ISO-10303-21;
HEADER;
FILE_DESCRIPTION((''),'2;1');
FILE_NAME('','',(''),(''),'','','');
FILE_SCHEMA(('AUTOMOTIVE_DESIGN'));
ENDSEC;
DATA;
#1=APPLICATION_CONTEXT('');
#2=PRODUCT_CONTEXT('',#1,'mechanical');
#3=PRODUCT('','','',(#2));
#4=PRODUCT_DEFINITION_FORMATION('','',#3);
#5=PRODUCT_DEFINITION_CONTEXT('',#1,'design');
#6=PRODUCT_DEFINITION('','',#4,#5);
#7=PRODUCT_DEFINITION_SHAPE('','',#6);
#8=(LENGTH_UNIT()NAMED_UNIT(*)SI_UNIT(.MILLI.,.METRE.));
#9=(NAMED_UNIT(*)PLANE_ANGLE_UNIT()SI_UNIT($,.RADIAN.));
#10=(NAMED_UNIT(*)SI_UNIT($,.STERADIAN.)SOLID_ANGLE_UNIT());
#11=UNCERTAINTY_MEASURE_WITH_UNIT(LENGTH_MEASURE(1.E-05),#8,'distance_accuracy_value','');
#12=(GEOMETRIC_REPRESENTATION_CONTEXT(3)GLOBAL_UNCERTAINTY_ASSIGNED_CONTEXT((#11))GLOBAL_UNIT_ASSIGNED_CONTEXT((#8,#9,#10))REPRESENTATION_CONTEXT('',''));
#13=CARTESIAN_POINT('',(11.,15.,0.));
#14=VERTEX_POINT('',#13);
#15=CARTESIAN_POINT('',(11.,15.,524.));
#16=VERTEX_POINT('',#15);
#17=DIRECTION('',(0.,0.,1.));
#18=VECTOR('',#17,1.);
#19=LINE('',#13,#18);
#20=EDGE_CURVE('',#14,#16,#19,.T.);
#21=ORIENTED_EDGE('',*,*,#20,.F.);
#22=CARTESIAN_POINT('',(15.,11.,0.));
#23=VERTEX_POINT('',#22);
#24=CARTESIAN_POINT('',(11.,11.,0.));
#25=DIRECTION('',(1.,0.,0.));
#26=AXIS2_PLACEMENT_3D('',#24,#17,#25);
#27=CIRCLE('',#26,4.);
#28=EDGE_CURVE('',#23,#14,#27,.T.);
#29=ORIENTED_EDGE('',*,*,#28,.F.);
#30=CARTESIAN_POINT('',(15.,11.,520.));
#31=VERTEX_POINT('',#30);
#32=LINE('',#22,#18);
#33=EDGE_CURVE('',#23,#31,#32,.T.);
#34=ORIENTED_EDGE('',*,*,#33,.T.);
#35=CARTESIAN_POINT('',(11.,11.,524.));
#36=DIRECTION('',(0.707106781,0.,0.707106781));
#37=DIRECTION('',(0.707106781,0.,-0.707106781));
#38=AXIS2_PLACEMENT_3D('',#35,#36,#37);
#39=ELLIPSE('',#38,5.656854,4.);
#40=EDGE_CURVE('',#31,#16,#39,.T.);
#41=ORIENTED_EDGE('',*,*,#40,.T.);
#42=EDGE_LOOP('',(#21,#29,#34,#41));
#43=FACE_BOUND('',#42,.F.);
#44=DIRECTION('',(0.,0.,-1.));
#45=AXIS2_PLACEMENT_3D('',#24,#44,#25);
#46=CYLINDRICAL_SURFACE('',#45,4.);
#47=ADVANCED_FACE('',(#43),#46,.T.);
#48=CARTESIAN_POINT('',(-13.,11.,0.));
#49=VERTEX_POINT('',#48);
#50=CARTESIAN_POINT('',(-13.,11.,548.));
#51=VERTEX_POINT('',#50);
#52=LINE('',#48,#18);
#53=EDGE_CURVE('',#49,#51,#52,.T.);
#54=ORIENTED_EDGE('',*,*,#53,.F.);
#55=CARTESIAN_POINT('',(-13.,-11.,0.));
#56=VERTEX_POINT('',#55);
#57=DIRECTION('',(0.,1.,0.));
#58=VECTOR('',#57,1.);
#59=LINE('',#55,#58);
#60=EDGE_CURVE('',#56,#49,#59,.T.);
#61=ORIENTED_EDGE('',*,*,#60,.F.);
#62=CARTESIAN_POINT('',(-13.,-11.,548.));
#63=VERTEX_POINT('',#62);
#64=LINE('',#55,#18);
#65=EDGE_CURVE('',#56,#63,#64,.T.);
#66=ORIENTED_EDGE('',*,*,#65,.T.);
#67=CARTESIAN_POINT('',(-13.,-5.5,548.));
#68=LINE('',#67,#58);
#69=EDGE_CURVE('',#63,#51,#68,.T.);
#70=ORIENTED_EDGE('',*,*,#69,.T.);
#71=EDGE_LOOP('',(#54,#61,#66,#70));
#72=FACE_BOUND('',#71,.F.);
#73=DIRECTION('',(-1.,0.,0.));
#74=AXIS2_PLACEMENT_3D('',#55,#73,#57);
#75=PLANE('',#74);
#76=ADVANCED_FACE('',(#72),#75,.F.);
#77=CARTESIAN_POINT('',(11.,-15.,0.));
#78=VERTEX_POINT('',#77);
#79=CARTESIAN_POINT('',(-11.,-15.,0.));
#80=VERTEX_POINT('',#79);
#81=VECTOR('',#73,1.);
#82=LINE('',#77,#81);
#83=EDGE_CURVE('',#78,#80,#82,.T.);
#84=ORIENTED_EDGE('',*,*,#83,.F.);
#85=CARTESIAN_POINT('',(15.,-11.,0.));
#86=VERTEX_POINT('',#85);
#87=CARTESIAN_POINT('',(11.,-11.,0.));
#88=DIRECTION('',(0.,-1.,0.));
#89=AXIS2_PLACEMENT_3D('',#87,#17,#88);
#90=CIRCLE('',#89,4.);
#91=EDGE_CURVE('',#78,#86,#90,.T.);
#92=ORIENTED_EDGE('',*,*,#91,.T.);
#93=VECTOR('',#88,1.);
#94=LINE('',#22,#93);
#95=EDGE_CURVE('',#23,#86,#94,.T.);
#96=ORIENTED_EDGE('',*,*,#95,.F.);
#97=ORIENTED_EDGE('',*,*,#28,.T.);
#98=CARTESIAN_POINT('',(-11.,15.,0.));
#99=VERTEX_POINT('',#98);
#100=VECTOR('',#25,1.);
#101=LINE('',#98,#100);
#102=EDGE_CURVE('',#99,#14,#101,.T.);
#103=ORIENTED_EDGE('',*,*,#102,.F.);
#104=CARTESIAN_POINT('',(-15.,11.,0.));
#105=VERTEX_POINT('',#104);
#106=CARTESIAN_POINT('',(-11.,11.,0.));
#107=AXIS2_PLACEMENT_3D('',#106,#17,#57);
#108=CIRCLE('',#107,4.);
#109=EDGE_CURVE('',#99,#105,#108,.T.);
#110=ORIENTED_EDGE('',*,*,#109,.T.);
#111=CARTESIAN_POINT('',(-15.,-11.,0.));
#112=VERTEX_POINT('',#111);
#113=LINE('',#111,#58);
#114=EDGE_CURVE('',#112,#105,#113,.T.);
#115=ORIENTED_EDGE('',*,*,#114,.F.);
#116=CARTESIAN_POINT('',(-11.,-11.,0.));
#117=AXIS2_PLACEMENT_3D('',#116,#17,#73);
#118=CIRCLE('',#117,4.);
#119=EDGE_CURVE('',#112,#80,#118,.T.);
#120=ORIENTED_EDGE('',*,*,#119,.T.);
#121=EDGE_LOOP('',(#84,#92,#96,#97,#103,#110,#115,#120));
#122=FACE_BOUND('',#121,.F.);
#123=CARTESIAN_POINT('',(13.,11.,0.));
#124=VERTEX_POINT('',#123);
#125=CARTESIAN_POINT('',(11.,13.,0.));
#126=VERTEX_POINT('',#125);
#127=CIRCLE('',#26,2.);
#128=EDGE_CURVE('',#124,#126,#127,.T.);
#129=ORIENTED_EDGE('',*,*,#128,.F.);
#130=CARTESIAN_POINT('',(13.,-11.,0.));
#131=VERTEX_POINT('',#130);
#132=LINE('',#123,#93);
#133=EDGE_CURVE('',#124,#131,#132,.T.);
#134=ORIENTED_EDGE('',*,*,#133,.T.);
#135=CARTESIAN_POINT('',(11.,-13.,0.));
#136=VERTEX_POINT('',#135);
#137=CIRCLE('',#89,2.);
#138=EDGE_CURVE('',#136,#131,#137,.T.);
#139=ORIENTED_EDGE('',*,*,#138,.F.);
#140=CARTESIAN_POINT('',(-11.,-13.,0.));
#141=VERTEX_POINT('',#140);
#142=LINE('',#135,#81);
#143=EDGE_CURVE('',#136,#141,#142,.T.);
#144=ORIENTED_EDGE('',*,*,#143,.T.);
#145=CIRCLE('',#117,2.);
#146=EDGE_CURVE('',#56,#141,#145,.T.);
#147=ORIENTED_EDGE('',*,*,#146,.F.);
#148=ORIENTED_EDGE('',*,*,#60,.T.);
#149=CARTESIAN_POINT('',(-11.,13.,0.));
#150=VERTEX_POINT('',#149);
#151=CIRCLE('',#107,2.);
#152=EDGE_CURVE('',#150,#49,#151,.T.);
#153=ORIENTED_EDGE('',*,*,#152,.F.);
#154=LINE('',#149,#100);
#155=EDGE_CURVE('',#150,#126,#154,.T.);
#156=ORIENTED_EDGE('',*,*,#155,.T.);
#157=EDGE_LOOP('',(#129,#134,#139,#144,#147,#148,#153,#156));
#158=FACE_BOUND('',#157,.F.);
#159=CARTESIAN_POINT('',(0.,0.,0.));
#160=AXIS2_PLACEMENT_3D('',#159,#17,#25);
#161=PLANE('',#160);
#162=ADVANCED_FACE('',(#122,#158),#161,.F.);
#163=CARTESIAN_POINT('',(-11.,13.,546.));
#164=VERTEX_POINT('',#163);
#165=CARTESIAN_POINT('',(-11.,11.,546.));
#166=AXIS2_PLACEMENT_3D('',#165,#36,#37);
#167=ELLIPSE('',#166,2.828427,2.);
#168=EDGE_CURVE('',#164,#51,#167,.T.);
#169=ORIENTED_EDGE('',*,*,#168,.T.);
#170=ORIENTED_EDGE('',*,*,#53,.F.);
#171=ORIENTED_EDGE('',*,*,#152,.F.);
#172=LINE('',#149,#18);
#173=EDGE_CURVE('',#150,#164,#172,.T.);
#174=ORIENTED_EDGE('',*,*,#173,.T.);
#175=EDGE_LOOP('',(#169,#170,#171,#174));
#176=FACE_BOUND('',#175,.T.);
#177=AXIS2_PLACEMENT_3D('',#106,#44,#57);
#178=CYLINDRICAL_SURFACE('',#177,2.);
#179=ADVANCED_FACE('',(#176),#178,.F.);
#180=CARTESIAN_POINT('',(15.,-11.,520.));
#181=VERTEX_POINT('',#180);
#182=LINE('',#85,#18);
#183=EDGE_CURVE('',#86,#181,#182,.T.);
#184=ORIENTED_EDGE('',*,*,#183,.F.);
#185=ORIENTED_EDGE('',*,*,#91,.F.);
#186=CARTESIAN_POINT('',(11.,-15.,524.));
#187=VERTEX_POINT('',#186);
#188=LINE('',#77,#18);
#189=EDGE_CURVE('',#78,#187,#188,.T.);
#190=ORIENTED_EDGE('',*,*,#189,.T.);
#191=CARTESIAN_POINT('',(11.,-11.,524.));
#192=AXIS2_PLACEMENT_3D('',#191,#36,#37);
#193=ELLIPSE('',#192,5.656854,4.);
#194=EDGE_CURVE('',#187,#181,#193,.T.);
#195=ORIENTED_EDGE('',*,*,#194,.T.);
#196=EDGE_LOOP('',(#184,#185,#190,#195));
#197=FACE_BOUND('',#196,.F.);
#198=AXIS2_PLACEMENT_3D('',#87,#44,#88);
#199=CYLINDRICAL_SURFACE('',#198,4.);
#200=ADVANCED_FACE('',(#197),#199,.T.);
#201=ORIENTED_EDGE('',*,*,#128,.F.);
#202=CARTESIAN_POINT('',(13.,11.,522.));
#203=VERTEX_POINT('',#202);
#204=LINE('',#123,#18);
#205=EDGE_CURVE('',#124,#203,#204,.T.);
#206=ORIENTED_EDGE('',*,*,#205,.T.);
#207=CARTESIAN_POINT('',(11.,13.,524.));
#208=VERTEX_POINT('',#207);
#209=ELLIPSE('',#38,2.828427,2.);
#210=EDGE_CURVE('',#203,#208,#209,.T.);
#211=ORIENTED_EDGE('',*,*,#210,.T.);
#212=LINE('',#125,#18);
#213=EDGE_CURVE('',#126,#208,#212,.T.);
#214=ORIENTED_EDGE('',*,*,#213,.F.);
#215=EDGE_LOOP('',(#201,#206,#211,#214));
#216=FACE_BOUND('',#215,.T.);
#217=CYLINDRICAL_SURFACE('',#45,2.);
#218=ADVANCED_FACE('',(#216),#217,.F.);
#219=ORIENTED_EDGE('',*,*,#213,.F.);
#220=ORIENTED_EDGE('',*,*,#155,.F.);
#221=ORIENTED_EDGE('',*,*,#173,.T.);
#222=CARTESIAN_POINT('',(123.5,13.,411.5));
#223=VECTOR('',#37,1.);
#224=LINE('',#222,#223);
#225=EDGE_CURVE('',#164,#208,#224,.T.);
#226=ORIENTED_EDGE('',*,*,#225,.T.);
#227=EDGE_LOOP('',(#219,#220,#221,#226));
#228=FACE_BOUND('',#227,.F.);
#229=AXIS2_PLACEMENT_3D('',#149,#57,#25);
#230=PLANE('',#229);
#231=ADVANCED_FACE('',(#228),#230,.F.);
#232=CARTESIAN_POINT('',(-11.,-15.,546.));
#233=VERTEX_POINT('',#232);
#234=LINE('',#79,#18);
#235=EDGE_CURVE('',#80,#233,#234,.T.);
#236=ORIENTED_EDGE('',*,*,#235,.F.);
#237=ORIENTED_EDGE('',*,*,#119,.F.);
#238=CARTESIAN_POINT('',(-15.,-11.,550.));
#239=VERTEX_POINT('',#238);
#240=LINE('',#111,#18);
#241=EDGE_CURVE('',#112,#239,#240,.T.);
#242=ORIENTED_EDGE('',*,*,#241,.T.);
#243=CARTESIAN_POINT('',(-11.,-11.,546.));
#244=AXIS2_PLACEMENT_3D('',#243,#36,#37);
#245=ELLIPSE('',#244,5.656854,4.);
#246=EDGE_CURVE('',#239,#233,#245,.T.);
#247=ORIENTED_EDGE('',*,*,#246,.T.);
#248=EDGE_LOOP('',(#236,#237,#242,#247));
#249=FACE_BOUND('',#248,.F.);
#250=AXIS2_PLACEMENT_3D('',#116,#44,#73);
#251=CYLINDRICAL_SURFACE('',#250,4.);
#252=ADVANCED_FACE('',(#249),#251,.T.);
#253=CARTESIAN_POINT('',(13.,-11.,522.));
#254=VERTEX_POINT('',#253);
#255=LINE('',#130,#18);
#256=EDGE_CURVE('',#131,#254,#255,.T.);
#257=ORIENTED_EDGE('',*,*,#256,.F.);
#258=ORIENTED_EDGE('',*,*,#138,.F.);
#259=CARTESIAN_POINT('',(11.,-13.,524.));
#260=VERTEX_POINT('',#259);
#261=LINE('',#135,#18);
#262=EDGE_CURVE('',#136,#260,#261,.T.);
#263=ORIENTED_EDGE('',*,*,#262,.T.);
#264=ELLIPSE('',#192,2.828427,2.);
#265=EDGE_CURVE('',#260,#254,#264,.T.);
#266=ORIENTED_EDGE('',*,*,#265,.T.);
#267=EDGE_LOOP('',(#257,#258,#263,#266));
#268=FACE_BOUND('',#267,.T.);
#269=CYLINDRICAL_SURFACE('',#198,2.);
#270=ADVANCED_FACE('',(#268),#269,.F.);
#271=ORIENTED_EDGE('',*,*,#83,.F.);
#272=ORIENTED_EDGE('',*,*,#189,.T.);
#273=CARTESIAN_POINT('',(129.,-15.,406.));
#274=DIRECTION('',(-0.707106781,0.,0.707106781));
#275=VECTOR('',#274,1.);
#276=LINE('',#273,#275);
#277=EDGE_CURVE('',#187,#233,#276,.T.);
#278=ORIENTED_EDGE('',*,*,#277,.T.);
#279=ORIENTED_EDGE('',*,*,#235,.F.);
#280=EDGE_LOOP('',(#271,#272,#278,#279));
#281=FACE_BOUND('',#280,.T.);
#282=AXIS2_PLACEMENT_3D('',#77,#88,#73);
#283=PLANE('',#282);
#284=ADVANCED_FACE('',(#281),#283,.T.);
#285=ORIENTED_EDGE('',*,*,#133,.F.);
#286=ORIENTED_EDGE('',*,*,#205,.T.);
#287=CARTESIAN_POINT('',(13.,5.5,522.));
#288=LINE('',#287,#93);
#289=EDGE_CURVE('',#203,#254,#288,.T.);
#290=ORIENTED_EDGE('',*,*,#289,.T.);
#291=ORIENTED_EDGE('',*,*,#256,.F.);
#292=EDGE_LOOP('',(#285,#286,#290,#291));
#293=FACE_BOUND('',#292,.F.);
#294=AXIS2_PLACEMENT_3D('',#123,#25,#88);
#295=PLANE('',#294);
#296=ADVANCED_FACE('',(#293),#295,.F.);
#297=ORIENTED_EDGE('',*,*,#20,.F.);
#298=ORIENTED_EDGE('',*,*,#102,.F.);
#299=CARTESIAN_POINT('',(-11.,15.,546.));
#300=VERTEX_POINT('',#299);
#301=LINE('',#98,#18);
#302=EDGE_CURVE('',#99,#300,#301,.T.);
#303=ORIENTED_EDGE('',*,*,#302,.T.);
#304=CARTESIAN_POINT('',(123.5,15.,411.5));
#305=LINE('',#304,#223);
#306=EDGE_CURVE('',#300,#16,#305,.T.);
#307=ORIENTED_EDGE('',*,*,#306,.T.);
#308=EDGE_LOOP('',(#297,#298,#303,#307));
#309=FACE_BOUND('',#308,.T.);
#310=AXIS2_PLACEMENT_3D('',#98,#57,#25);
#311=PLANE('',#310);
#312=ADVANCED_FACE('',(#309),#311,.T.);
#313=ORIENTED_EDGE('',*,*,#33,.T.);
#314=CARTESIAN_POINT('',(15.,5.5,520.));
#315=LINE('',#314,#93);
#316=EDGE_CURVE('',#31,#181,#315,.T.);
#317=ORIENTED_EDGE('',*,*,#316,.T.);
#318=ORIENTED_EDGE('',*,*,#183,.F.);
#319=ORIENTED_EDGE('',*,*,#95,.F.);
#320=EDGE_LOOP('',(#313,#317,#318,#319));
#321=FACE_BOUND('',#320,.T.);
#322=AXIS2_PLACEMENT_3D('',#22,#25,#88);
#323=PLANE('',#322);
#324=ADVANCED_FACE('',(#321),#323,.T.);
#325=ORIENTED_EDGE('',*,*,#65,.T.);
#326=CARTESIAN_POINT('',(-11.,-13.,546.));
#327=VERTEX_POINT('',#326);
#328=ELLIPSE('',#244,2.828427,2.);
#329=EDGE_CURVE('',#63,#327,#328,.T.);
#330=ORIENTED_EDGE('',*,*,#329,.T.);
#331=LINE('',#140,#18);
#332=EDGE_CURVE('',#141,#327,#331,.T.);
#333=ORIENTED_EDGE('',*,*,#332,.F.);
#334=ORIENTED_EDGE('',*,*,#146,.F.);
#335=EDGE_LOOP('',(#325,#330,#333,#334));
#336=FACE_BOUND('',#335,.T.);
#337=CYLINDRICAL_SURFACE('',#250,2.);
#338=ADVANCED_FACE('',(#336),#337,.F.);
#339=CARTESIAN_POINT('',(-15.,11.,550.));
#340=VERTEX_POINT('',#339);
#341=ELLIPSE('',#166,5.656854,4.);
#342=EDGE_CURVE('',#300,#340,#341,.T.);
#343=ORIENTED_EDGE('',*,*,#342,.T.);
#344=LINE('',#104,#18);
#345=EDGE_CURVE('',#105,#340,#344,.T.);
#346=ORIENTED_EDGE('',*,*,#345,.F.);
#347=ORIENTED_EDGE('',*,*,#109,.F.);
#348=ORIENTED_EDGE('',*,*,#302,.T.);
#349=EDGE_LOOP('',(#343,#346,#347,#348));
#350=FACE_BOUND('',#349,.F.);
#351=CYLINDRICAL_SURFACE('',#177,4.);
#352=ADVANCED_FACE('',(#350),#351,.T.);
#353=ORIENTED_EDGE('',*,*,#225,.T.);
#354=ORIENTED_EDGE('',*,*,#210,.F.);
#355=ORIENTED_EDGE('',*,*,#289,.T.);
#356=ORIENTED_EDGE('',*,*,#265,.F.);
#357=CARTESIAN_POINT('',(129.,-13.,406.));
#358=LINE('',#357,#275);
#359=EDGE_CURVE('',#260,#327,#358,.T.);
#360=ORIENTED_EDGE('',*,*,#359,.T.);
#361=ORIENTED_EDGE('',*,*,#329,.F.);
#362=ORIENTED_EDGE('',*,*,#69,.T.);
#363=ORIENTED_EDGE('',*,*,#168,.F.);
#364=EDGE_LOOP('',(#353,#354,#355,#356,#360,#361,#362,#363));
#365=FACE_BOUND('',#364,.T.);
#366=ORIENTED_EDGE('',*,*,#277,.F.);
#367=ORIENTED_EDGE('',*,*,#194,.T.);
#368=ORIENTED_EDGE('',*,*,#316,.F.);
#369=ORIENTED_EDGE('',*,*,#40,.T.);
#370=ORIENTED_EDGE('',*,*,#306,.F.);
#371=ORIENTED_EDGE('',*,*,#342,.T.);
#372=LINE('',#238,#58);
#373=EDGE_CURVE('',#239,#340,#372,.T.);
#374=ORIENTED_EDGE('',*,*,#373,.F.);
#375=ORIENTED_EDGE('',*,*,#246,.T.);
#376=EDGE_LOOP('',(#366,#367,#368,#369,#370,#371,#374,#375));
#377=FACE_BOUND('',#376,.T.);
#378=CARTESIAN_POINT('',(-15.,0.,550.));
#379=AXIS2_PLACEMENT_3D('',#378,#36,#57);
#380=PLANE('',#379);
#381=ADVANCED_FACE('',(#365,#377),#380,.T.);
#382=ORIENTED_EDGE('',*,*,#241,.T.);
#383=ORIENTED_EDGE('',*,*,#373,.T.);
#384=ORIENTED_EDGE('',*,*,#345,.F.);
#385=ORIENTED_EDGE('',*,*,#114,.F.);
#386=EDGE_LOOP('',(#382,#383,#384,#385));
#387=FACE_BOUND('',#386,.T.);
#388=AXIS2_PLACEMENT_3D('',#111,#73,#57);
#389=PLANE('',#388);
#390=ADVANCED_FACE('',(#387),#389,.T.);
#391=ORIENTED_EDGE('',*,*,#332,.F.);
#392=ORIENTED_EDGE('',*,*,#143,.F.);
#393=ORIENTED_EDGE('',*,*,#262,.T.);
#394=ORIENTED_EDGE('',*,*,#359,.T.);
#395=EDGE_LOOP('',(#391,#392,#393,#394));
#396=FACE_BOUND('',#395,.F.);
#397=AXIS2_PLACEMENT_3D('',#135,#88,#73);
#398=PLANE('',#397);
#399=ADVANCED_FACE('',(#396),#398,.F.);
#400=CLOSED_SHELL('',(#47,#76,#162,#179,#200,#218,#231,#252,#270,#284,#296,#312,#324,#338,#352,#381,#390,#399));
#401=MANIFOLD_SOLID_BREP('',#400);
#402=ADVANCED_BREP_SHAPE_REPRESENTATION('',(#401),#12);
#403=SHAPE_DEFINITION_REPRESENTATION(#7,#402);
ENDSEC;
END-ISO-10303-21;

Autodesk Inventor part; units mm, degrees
ref_plane "Plano inicial" through (0, 0, 0) normal (0, 0, 1) x (1, 0, 0)
ref_plane "Plano final" through (0, 0, 550) normal (0, 0, 1) x (1, 0, 0)
sketch "Esboço" plane through (0, 0, 0) normal (0, 0, 1) x (1, 0, 0)
  line L0 (-15, -11) -> (-15, 11)
  line L1 (-11, 15) -> (11, 15)
  line L2 (15, 11) -> (15, -11)
  line L3 (11, -15) -> (-11, -15)
  arc A0 (-15, -11) -> (-11, -15) centre (-11, -11) ccw
  arc A1 (15, 11) -> (11, 15) centre (11, 11) ccw
  arc A2 (-11, 15) -> (-15, 11) centre (-11, 11) ccw
  arc A3 (11, -15) -> (15, -11) centre (11, -11) ccw
  arc A4 (-11, 13) -> (-13, 11) centre (-11, 11) ccw
  line L4 (-11, 13) -> (11, 13)
  arc A5 (13, 11) -> (11, 13) centre (11, 11) ccw
  line L5 (13, 11) -> (13, -11)
  arc A6 (11, -13) -> (13, -11) centre (11, -11) ccw
  line L6 (11, -13) -> (-11, -13)
  arc A7 (-13, -11) -> (-11, -13) centre (-11, -11) ccw
  line L7 (-13, -11) -> (-13, 11)
  line L8 (0, 22.1598) -> (0, -22.1598) construction
  line L9 (-22.1598, 0) -> (22.1598, 0) construction
  dimension "d7" = 4
  dimension "d9" = 30
  dimension "d11" = 30
  dimension "d12" = 2
  dimension "d15" = 15
  dimension "d16" = 15
extrude "Corpo" add sketch "Esboço" along normal up to surface (550 mm away) from surface at 0
sketch "Sketch3" plane through (0, 0, 0) normal (0, 0, 1) x (1, 0, 0)
  line L0 (0, 0) -> (10, 0)
ref_plane "Work Plane3" through (0, 0, 0) normal (0, -1, 0) x (1, 0, 0)
sketch "Sketch4" plane through (0, 0, 0) normal (0, -1, 0) x (1, 0, 0)
  line L0 (-2, 0) -> (12, 0)
  line L1 (-2, 550) -> (12, 550)
  dimension "d18" = 550
ref_plane "Plano de trabalho4" through (-15, 0, 550) normal (0.7071, 0, 0.7071) x (0.7071, 0, -0.7071)
split "Dividir1" plane through (-15, 0, 550) removes the side toward (0.7071, 0, 0.7071)
equation "\"d7\" = G_IR"
equation "\"d9\" = G_W"
equation "\"d11\" = G_H"
equation "\"d12\" = G_T"
equation "\"d15\" = 0.5 * d9"
equation "\"d16\" = 0.5 * d11"
equation "\"d3\" = G_L"
equation "\"G_W\" = 30"
equation "\"G_H\" = 30"
equation "\"G_T\" = 2"
equation "\"G_IR\" = 4"
equation "\"G_L\" = d18"
equation "\"G_OFFSET_START\" = 0"
equation "\"G_OFFSET_END\" = 0"
properties part number "ISO 10799-2 - 30x30x2 - 550" material "Aço, suave"
